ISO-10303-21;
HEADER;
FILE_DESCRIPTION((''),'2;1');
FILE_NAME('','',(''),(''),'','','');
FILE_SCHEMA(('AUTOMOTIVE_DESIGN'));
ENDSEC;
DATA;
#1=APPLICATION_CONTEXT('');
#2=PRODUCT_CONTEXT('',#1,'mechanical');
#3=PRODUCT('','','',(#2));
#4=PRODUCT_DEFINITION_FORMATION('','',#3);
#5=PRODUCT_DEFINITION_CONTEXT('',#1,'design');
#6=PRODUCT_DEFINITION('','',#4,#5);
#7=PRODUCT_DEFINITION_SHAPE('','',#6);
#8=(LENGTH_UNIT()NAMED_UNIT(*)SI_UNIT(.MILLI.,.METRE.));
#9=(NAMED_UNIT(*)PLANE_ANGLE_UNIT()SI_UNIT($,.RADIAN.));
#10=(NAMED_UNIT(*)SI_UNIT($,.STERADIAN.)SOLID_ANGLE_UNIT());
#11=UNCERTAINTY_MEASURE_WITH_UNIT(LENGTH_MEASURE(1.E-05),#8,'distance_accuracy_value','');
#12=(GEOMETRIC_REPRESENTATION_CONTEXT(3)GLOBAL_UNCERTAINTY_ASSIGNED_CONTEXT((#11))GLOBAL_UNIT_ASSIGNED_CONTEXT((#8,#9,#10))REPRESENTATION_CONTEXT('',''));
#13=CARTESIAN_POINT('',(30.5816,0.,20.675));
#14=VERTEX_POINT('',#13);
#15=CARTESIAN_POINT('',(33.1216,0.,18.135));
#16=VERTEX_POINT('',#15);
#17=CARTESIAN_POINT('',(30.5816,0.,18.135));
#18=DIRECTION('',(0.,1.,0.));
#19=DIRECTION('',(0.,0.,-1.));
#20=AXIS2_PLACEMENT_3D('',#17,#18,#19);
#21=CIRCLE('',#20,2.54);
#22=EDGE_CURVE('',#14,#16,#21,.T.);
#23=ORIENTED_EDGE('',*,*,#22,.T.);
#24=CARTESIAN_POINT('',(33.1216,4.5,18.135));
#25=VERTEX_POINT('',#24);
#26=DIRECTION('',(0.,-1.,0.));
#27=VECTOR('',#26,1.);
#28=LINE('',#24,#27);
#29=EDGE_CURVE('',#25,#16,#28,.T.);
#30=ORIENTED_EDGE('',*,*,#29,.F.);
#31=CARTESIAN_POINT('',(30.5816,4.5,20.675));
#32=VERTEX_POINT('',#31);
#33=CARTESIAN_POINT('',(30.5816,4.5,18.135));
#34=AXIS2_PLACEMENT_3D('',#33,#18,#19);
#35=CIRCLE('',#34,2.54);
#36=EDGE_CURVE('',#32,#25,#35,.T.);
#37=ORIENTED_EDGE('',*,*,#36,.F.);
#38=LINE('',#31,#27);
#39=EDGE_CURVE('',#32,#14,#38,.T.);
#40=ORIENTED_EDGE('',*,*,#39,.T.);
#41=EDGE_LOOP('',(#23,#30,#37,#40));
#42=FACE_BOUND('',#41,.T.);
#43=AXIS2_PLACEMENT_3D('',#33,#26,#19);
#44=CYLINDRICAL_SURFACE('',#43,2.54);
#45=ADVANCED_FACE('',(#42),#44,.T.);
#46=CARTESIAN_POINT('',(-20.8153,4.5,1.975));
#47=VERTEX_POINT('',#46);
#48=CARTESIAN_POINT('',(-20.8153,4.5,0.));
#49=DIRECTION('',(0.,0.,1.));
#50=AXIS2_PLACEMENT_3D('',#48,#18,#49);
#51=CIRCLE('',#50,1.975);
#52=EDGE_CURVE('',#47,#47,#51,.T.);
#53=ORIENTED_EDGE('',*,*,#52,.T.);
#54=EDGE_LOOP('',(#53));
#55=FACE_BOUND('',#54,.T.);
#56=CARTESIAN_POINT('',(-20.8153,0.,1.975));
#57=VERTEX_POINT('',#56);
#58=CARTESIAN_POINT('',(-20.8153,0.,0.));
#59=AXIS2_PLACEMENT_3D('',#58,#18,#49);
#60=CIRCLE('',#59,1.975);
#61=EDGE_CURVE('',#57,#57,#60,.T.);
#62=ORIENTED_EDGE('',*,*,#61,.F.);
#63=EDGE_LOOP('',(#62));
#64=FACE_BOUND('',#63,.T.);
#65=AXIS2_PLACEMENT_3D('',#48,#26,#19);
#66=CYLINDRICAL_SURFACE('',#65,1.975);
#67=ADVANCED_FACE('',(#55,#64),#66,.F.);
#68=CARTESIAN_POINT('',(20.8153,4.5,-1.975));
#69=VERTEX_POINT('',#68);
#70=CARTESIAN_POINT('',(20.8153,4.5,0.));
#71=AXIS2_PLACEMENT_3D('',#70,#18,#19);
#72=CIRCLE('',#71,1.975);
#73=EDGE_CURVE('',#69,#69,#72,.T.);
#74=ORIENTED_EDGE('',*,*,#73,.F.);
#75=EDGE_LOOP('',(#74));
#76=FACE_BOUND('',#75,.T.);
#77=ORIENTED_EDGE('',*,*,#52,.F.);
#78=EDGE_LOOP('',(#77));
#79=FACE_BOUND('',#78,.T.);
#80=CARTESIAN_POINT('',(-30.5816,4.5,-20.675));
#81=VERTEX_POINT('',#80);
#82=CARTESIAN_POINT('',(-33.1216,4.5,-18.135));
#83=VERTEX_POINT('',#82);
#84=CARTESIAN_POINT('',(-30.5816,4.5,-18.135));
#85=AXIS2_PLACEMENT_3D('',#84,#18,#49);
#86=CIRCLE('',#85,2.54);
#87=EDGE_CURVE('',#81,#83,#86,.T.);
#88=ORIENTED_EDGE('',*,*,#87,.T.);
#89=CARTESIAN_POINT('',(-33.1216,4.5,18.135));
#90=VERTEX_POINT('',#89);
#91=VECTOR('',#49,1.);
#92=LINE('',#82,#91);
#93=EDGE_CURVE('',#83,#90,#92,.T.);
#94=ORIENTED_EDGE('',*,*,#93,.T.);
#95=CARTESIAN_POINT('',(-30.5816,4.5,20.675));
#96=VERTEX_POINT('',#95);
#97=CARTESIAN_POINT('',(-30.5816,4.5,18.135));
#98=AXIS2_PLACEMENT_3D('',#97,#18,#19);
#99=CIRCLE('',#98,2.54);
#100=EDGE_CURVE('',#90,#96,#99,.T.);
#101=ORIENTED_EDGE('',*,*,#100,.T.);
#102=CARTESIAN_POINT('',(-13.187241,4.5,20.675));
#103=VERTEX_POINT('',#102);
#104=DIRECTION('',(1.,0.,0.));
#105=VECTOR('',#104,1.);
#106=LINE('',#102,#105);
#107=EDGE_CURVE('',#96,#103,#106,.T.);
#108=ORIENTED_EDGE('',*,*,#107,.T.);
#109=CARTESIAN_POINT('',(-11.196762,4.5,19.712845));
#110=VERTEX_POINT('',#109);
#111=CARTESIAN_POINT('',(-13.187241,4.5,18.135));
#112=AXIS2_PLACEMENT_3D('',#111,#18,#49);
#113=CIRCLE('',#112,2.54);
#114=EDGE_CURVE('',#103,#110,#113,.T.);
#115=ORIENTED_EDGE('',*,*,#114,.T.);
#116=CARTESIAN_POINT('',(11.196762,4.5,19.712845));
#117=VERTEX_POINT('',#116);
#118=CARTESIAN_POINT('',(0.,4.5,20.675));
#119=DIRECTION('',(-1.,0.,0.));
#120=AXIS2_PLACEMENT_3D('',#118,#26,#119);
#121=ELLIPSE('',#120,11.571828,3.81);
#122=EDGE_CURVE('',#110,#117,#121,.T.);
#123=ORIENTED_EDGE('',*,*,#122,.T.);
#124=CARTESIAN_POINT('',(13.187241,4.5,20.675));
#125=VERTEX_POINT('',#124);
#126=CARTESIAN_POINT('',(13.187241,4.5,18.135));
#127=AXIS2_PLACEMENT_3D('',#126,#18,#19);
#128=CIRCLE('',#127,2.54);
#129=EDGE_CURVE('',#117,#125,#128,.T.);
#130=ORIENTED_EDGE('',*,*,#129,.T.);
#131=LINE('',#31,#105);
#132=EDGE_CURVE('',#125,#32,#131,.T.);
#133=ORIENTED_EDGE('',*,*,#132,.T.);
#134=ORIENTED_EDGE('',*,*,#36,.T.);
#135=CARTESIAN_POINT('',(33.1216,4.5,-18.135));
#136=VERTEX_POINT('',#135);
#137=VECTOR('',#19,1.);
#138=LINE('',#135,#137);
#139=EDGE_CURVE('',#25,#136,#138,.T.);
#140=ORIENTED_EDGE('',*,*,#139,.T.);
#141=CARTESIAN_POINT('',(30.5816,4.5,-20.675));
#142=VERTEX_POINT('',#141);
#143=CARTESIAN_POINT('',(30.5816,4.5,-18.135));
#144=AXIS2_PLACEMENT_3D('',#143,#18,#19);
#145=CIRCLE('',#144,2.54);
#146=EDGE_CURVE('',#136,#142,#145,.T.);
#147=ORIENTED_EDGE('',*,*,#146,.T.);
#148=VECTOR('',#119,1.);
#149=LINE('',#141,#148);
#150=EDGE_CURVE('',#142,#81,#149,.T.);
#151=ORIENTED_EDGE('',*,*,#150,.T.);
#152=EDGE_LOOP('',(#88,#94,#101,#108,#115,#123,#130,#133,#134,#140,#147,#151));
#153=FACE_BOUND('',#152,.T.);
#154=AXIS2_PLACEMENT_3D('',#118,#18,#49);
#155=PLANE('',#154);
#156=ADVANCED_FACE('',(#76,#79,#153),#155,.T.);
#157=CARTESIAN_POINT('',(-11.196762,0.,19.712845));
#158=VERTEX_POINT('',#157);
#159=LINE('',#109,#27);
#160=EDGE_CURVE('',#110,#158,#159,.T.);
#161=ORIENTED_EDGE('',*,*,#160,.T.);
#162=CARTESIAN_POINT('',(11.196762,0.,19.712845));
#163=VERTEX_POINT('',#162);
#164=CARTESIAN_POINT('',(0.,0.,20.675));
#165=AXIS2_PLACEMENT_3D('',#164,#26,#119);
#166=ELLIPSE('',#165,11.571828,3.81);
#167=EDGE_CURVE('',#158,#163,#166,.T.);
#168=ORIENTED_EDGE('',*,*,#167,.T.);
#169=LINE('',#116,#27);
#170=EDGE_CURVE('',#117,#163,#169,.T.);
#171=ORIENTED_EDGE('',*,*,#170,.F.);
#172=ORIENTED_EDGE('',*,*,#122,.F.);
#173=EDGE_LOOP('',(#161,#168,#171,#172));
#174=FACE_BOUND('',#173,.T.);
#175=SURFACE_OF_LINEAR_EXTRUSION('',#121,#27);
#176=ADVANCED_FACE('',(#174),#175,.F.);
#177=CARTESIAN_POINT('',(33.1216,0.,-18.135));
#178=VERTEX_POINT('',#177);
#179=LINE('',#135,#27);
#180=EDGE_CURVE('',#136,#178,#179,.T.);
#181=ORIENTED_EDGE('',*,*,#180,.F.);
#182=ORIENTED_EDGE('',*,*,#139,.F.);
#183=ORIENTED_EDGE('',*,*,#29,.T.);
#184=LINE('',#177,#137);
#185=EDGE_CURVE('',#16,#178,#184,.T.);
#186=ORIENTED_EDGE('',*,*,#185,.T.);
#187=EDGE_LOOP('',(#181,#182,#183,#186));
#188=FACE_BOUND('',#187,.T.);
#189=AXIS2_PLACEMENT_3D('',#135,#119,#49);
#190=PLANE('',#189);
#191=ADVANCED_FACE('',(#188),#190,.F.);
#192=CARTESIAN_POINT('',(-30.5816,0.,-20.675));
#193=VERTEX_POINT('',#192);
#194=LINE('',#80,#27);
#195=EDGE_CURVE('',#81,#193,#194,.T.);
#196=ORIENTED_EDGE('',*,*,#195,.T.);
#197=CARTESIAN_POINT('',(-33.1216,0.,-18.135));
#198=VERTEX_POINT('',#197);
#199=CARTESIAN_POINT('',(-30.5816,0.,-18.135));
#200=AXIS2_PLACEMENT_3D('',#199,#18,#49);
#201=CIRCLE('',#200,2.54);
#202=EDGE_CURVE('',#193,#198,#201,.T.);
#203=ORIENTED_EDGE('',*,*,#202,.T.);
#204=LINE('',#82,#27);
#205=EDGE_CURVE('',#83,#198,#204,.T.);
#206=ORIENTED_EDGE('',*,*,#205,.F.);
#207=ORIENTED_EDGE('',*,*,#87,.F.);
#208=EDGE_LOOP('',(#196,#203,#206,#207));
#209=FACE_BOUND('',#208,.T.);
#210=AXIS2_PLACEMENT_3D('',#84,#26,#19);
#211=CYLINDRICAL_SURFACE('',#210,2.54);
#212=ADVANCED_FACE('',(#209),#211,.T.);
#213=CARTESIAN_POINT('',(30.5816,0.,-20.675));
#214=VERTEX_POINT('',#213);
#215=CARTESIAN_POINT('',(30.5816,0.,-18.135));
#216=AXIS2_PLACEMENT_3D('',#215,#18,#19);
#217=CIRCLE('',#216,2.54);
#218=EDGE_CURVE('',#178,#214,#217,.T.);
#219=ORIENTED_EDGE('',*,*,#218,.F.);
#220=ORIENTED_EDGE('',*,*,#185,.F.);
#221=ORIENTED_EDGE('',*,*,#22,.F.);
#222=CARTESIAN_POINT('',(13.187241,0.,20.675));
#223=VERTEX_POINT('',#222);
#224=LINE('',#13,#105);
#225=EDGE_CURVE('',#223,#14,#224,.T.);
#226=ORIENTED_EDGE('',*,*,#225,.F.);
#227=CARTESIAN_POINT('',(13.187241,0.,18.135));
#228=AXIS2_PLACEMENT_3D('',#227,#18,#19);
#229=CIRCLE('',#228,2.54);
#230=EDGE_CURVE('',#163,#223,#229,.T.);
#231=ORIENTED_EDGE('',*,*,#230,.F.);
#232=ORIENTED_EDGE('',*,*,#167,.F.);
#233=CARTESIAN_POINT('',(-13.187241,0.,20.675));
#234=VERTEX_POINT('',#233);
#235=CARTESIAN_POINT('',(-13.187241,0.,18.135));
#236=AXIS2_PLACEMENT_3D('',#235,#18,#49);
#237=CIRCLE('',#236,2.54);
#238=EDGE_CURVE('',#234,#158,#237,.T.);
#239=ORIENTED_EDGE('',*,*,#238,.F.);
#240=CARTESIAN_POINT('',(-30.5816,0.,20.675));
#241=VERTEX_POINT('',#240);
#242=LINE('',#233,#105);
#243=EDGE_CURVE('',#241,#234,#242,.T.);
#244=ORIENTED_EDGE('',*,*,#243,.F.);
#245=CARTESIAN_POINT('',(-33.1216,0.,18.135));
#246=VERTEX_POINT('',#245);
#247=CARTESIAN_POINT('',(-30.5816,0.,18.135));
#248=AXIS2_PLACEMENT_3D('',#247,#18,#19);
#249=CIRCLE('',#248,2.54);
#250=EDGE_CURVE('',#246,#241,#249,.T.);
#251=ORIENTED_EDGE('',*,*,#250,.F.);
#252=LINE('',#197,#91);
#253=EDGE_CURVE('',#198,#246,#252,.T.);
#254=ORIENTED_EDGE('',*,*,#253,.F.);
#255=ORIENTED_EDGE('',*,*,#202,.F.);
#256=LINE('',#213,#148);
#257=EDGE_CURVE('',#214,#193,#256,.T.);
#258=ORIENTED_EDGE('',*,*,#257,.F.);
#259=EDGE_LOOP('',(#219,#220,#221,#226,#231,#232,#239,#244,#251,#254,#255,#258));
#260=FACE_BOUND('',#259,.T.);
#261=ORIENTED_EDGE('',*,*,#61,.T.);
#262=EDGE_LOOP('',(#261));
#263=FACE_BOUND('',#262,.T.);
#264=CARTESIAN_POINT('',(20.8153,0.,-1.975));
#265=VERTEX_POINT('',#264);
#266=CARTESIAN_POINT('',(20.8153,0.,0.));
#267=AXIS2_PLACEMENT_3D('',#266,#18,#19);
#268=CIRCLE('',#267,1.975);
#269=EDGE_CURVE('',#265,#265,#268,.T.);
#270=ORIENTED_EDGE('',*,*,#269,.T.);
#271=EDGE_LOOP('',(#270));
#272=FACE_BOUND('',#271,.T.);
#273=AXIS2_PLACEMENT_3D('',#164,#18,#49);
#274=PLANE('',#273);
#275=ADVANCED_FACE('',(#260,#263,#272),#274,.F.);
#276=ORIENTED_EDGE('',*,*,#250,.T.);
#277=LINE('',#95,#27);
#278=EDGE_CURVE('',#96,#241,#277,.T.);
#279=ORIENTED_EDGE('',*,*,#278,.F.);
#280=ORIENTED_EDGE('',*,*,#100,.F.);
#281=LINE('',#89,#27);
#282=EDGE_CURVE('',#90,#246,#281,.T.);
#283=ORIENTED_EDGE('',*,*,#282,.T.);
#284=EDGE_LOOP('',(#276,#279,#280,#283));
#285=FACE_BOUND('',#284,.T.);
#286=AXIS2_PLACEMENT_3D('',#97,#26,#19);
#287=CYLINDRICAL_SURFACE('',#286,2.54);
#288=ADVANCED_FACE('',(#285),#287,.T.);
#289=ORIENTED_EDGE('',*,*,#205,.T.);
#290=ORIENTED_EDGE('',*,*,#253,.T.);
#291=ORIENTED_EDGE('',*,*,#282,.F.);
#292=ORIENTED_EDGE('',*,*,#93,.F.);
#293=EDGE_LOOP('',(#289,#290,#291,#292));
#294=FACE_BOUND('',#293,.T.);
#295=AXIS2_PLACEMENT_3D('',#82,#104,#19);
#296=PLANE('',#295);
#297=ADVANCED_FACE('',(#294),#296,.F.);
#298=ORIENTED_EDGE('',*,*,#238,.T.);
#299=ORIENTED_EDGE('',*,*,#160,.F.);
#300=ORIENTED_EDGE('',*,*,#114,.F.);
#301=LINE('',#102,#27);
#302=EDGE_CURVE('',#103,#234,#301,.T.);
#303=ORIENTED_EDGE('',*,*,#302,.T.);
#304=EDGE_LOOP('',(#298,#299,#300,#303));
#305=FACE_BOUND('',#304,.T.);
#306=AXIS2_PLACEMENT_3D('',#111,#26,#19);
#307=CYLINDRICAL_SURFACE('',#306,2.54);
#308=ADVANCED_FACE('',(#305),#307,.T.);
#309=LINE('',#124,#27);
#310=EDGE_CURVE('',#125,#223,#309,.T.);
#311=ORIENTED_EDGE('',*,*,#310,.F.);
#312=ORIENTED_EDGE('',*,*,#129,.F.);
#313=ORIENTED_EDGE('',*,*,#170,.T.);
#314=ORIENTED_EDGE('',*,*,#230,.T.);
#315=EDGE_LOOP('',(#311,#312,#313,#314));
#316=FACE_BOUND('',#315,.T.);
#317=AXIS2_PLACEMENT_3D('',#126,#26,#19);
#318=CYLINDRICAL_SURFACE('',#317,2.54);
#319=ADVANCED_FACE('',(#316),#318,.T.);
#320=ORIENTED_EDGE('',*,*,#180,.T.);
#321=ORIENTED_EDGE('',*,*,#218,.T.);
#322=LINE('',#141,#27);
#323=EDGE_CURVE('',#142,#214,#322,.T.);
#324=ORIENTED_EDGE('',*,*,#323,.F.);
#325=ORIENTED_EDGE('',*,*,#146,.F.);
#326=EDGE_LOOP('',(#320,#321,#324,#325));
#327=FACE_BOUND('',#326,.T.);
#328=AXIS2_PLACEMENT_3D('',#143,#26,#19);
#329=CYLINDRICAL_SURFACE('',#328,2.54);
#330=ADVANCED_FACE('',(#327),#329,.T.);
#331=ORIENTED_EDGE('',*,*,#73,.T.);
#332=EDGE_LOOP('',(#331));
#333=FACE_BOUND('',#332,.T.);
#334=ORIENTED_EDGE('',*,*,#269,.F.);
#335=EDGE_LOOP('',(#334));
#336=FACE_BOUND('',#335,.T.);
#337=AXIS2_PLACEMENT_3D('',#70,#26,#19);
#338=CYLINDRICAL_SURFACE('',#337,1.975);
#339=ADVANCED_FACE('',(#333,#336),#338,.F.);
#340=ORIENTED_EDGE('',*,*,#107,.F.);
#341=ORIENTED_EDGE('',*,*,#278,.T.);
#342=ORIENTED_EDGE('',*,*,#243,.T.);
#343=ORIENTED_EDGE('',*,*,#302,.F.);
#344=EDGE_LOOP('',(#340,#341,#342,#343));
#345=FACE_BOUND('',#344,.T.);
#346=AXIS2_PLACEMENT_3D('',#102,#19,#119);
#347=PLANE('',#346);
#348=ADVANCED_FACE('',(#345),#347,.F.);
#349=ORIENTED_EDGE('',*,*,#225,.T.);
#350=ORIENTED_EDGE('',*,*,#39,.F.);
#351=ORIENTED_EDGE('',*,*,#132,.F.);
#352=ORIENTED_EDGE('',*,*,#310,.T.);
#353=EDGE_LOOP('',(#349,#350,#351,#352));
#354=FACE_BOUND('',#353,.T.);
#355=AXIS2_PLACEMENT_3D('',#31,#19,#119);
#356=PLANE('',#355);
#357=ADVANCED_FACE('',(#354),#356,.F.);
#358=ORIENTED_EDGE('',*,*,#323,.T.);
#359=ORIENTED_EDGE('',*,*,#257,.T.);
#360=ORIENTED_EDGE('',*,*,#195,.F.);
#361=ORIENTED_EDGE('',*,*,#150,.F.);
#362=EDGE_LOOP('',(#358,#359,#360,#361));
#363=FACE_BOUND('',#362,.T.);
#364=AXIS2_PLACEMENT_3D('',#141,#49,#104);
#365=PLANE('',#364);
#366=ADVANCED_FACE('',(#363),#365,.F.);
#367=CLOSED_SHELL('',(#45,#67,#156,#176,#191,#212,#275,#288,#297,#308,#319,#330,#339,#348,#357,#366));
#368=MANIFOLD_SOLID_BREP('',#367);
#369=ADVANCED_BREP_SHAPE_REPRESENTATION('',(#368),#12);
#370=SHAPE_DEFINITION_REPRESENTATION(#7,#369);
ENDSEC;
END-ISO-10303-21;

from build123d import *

# Parameters (mm, degrees)
SKETCH1_R           = 1.975
BOSS_EXTRUDE1_DEPTH = 4.5


with BuildPart() as part:
    # Sketch1 → Boss-Extrude1 (new body)
    with BuildSketch(Plane(origin=(0, 0, 0), x_dir=(1, 0, 0), z_dir=(0, 1, 0))):
        with BuildLine():
            Line((30.5816, 20.675), (-30.5816, 20.675))
            ThreePointArc((-30.5816, 20.675), (-32.377651224, 19.931051224), (-33.1216, 18.135))
            Line((-33.1216, 18.135), (-33.1216, -18.135))
            ThreePointArc((-33.1216, -18.135), (-32.377651224, -19.931051224), (-30.5816, -20.675))
            Line((-30.5816, -20.675), (-13.187240763, -20.675))
            ThreePointArc((-13.187240763, -20.675), (-12.081828105, -20.421845613), (-11.196761955, -19.712844768))
            add(Edge.make_bspline(
                [(11.196761955, -19.712844768), (8.939286543, -16.865), (0, -16.865), (-8.939286543, -16.865), (-11.196761955, -19.712844768)],
                knots=[3.396891088, 3.396891088, 3.396891088, 4.71238898, 4.71238898, 6.027886873, 6.027886873, 6.027886873], degree=2, weights=[1, 0.791370388, 1, 0.791370388, 1]))
            ThreePointArc((11.196761955, -19.712844768), (12.081828105, -20.421845613), (13.187240763, -20.675))
            Line((13.187240763, -20.675), (30.5816, -20.675))
            ThreePointArc((30.5816, -20.675), (32.377651224, -19.931051224), (33.1216, -18.135))
            Line((33.1216, -18.135), (33.1216, 18.135))
            ThreePointArc((33.1216, 18.135), (32.377651224, 19.931051224), (30.5816, 20.675))
        make_face()
        with Locations(Location((-20.8153, 0, 0), (0, 0, 270))):
            Circle(SKETCH1_R, mode=Mode.SUBTRACT)
        with Locations(Location((20.8153, 0, 0), (0, 0, 90))):
            Circle(SKETCH1_R, mode=Mode.SUBTRACT)
    extrude(amount=BOSS_EXTRUDE1_DEPTH)


solid = part.part
